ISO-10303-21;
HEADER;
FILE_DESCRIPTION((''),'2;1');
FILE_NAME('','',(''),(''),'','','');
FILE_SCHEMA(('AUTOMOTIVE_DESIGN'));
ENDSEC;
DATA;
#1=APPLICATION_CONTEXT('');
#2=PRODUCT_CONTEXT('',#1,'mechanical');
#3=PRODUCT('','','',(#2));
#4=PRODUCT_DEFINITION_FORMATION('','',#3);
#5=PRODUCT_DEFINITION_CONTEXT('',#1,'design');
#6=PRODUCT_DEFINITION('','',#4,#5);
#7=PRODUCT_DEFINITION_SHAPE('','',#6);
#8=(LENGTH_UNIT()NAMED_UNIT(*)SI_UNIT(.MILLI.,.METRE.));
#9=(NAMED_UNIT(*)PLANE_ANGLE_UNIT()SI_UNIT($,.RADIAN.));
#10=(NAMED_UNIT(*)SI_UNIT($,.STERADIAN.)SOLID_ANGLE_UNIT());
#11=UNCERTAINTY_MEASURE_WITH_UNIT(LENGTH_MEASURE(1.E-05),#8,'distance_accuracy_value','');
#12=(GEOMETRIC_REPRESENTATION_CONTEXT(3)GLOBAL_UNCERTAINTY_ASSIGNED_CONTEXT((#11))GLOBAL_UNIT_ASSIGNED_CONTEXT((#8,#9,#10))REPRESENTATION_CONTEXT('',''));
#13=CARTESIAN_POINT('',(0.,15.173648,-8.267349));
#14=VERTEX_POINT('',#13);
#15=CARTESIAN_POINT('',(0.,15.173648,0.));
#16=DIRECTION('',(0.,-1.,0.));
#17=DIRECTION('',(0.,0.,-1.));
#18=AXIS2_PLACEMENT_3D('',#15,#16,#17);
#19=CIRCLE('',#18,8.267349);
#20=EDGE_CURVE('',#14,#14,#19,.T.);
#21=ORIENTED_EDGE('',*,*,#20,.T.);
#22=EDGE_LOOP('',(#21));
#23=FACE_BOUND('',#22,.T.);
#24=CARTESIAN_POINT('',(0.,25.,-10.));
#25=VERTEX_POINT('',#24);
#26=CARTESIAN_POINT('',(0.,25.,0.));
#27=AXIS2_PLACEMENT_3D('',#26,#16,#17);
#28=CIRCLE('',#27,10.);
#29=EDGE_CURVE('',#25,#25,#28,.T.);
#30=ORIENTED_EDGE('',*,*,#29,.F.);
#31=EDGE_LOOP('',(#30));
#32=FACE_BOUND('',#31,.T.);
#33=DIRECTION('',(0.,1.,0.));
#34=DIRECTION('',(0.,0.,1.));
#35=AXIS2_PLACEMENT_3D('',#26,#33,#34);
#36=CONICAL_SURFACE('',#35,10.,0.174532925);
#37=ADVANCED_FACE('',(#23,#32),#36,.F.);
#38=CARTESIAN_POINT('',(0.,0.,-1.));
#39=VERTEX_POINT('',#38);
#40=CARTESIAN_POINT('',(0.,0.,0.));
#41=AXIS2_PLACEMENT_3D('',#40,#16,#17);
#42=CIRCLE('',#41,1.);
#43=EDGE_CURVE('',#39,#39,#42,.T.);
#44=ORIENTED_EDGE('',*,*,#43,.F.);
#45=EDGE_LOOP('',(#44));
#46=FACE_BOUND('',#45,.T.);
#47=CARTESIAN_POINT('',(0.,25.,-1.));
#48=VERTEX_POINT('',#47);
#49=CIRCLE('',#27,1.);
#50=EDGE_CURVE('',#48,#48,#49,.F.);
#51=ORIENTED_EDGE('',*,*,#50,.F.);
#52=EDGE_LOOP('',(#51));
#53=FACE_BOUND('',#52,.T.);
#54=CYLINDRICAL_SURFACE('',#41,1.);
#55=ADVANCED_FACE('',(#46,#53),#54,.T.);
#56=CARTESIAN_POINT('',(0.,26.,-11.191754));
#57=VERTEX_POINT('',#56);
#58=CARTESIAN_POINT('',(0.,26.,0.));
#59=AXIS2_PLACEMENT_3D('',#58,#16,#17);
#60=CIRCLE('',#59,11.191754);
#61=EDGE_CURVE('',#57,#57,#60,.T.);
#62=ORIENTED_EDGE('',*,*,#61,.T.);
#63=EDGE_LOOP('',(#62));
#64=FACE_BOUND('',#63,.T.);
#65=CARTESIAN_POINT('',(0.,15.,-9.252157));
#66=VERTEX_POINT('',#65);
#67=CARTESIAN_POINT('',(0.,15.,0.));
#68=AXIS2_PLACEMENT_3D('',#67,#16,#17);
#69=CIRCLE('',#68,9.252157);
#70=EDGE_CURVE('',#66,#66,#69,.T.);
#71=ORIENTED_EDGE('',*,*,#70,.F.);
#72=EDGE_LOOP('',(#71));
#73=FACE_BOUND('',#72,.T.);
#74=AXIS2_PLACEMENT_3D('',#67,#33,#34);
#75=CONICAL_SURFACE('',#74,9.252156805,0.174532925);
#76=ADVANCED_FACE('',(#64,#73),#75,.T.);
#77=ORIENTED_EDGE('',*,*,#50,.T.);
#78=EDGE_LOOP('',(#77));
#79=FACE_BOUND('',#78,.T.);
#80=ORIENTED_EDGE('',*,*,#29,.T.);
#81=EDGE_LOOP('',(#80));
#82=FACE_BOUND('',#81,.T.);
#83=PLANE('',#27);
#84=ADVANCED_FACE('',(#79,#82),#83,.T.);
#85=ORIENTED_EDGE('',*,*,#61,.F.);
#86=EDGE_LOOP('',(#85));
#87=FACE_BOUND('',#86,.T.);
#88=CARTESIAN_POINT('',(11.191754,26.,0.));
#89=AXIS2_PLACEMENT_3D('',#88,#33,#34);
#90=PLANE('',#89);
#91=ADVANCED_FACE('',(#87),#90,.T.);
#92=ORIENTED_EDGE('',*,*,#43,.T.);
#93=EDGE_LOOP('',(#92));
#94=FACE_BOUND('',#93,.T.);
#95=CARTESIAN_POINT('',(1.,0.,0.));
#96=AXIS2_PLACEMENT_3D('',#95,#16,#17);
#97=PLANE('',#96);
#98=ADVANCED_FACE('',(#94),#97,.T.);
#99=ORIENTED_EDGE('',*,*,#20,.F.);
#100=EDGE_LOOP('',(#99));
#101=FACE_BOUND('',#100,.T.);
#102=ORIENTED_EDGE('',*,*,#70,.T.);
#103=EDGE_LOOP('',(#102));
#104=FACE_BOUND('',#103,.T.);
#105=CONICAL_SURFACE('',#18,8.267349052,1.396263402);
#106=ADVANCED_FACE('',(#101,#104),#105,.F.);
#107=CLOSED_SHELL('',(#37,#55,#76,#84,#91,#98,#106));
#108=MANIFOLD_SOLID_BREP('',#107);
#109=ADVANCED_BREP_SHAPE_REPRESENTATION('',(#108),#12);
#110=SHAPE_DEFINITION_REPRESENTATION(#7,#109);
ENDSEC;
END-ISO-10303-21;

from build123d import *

# Parameters (mm, degrees)
SKETCH1_W = 1
SKETCH1_H = 25


with BuildPart() as part:
    # Sketch1 → Revolve1 (revolve)
    with BuildSketch(Plane.XY):
        with Locations((0.5, 12.5)):
            Rectangle(SKETCH1_W, SKETCH1_H)
    revolve(axis=Axis((0, 0, 0), (0, 1, 0)))

    # Sketch2 → Revolve2 (revolve)
    with BuildSketch(Plane.XY):
        Polygon((0, 25), (10, 25), (8.267349052, 15.173648178), (9.252156805, 15), (11.191753593, 26), (0, 26), align=None)
    revolve(axis=Axis((0, 0, 0), (0, 1, 0)))


solid = part.part
